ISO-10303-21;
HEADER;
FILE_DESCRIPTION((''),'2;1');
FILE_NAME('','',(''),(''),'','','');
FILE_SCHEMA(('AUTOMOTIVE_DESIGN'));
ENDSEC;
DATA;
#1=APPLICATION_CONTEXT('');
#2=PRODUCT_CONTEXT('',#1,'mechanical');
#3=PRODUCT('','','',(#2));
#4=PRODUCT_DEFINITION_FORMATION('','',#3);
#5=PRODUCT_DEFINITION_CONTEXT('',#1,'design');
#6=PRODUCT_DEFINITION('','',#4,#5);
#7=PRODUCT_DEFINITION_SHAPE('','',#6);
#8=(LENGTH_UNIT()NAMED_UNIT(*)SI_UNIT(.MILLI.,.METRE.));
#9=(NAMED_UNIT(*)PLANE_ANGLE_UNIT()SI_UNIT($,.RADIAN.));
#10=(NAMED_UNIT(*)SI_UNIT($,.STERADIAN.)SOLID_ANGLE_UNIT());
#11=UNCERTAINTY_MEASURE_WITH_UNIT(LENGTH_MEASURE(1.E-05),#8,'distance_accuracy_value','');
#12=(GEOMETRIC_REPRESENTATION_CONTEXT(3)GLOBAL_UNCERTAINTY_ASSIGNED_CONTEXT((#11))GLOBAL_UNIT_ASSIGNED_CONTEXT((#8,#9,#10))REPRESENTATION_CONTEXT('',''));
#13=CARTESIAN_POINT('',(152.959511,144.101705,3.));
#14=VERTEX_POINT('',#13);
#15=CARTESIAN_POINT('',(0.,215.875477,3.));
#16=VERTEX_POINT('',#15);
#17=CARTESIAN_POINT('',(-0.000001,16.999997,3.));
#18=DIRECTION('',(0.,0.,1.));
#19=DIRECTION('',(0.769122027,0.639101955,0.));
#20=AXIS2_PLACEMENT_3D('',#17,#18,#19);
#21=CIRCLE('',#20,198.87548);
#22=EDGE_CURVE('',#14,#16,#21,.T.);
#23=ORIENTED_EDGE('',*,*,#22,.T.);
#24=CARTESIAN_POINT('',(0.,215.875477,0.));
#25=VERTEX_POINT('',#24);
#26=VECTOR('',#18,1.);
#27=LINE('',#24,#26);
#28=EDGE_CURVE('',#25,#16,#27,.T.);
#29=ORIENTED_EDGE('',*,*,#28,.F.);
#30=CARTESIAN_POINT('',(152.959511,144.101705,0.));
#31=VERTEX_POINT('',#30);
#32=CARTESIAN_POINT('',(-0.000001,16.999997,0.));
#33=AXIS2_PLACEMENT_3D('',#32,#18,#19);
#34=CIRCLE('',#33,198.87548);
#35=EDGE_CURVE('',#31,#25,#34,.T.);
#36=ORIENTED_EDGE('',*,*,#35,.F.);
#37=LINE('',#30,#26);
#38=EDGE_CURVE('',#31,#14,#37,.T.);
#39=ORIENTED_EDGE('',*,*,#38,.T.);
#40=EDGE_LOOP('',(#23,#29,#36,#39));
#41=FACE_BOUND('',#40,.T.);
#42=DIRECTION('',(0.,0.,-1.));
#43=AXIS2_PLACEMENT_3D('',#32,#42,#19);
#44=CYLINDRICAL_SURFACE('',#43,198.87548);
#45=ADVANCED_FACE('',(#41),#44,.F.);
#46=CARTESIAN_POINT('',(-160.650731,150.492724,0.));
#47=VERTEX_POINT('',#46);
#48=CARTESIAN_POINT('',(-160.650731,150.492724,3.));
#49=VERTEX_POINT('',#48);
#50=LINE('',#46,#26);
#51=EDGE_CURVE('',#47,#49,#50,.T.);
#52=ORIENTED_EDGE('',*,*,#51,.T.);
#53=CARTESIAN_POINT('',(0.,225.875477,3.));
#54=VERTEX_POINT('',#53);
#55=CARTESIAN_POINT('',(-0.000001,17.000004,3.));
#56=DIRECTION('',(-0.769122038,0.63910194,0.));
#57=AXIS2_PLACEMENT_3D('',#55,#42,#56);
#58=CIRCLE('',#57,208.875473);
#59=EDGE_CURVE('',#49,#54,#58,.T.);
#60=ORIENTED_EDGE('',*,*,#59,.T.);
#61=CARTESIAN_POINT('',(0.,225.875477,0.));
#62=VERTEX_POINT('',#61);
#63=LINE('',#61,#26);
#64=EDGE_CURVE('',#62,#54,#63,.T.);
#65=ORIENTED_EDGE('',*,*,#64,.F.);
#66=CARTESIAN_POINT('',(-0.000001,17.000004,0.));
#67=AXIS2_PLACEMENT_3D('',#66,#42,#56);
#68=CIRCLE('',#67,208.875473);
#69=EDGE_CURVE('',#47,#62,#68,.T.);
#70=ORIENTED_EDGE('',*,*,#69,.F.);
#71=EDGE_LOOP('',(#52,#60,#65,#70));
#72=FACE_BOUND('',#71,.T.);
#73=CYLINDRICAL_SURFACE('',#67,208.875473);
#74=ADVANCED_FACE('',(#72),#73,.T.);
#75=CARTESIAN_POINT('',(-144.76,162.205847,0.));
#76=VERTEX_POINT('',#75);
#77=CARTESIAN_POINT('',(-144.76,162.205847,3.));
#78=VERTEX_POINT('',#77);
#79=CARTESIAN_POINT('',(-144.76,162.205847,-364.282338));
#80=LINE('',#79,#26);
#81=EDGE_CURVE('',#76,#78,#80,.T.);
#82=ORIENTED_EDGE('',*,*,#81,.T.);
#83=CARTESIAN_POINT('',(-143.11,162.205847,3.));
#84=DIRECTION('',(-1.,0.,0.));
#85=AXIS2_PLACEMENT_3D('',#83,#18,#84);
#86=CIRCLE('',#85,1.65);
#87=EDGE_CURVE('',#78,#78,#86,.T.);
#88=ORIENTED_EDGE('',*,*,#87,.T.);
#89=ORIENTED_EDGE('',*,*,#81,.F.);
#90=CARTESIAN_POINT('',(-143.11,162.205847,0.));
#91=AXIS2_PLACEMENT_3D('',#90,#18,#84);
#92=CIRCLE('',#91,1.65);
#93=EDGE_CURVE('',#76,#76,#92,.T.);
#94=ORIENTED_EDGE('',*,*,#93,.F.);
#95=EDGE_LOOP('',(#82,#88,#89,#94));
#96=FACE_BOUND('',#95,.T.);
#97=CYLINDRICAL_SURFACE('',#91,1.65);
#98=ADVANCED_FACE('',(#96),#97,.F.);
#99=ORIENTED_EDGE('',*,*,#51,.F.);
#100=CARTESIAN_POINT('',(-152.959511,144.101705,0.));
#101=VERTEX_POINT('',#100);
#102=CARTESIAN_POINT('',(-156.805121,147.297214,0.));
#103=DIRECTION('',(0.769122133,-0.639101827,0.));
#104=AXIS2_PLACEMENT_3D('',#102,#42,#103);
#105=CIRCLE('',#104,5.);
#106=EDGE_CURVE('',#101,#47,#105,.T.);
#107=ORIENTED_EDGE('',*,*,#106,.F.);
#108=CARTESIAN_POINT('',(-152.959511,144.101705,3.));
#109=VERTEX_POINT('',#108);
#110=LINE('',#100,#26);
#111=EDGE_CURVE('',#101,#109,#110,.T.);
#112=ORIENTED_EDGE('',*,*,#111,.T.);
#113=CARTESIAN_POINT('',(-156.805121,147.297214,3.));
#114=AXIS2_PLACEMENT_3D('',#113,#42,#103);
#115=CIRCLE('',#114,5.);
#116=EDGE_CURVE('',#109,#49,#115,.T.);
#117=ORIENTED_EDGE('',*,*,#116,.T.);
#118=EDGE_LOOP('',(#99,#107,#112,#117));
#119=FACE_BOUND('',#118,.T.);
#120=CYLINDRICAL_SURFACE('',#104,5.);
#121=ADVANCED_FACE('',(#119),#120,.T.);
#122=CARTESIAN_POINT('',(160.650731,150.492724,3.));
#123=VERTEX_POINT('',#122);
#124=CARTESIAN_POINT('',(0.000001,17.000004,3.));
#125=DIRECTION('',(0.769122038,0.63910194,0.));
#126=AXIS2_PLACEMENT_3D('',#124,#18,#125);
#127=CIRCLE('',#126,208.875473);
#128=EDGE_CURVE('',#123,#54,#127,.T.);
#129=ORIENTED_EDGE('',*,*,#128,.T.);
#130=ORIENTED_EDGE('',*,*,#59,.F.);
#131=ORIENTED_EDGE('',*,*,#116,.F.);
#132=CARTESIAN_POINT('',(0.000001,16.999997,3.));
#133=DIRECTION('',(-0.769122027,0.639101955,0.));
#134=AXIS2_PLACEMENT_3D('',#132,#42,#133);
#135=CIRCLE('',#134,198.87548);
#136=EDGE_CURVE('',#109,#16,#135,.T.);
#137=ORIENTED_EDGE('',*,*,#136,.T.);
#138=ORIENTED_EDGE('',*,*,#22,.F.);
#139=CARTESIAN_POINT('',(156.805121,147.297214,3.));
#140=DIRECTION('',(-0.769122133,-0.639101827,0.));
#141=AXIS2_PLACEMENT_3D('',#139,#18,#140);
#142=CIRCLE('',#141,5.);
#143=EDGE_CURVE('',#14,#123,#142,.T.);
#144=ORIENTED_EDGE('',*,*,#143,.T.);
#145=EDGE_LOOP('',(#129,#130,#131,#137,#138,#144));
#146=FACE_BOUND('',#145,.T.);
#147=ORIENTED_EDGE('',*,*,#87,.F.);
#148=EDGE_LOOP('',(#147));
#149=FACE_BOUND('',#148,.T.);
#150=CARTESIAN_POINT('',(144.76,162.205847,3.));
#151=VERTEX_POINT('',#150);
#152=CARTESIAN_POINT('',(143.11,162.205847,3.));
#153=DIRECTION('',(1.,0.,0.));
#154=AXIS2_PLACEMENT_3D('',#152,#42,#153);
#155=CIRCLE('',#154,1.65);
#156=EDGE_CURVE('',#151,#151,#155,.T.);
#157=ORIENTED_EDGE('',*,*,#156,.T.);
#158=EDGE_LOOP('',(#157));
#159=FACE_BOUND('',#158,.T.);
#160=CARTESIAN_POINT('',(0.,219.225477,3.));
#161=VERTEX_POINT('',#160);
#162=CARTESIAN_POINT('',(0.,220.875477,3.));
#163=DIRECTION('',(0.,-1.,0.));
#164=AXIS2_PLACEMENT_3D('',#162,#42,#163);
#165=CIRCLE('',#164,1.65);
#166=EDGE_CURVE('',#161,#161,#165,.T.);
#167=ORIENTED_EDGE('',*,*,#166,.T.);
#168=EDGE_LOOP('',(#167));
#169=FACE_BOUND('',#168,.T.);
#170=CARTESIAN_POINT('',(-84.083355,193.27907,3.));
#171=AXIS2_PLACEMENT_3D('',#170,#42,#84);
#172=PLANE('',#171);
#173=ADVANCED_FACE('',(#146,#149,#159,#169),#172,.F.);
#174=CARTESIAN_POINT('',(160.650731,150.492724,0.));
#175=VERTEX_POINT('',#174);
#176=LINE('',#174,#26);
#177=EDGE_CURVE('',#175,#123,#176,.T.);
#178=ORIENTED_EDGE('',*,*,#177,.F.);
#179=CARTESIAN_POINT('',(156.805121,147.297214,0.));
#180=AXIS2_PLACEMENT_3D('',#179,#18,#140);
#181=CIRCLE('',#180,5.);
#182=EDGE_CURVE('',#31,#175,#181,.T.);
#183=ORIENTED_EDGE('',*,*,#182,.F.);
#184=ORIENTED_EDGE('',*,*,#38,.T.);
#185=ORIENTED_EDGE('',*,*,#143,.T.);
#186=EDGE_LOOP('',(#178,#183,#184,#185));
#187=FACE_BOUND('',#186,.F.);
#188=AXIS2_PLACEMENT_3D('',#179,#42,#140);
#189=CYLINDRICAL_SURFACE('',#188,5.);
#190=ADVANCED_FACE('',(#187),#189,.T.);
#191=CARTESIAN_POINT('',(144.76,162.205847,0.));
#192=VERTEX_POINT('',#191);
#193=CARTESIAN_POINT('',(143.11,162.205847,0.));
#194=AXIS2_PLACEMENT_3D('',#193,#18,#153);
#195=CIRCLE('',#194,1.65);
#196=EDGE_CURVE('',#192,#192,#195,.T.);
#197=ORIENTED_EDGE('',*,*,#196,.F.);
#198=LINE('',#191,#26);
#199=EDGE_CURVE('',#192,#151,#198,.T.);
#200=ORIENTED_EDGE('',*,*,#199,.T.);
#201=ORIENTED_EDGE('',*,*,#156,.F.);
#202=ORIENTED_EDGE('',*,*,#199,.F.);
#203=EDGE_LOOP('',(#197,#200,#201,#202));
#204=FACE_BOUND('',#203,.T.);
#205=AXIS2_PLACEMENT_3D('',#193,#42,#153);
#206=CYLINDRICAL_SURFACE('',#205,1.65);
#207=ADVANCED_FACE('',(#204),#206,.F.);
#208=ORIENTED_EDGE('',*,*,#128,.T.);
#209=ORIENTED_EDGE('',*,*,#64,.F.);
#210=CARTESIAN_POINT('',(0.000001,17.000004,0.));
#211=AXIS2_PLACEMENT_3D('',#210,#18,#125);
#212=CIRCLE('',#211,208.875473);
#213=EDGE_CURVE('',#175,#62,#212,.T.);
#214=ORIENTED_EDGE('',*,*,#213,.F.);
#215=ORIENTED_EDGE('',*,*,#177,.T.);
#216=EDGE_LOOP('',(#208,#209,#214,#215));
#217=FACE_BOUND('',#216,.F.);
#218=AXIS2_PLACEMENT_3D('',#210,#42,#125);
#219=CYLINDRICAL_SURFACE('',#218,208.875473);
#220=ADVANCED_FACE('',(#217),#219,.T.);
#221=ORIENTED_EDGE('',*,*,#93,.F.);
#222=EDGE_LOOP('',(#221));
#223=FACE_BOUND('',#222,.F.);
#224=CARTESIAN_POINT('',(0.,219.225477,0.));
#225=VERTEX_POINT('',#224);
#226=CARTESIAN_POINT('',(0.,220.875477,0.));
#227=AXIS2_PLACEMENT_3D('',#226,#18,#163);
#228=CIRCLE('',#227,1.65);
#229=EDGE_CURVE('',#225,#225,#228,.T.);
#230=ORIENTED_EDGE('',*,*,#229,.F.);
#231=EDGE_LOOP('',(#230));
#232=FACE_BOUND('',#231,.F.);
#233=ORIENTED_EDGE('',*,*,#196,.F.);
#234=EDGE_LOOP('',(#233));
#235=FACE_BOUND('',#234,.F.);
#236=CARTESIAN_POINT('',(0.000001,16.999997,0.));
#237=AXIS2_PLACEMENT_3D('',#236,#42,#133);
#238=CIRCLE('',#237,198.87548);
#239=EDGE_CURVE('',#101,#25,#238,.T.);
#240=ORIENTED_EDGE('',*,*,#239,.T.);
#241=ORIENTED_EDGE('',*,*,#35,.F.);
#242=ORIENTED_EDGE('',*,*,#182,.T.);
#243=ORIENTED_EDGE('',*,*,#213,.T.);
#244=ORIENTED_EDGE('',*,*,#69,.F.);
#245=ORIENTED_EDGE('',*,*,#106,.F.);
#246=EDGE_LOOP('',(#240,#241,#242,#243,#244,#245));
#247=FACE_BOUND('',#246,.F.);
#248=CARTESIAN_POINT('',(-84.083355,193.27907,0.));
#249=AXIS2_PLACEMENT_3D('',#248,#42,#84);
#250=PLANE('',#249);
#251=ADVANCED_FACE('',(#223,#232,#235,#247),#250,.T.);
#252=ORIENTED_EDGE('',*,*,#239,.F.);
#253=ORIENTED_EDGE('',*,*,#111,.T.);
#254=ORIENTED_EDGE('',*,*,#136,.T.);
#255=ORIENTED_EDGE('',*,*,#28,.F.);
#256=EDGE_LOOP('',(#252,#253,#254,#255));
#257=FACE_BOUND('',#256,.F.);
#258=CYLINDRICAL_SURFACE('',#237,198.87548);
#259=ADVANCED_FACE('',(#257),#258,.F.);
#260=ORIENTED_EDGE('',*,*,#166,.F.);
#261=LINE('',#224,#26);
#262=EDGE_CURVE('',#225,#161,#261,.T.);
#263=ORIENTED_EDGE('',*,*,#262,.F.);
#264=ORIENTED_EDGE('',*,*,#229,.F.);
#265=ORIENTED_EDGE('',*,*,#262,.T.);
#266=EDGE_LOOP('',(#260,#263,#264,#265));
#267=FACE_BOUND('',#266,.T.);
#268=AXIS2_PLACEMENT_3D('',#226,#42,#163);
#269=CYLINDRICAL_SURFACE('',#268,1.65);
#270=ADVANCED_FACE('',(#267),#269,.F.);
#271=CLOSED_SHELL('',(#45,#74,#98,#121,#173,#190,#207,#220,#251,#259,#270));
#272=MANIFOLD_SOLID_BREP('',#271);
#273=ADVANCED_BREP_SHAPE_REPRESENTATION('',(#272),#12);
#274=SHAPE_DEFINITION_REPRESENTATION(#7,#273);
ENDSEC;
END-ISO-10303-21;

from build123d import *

# Parameters (mm, degrees)
PAD014_DEPTH                        = 3
SKETCH055_R                         = 1.65
POCKET019_DEPTH                     = 364.282338
POCKET019_DEPTH_BACK                = 367.282338
BODY001003005003003_PLACEMENT_ANGLE = 60
CLONE020_PLACEMENT_ANGLE            = 60


with BuildPart() as part:
    # Sketch052 → Pad014 (new body)
    with BuildSketch(Plane.XY):
        with BuildLine():
            ThreePointArc((152.959511, 127.101705), (84.480895, 180.040089), (0, 198.875477))
            Line((0, 198.875477), (0, 208.875477))
            ThreePointArc((160.650731, 133.492724), (88.728824, 189.092995), (0, 208.875477))
            ThreePointArc((152.959511, 127.101705), (160.000631, 126.451604), (160.650731, 133.492724))
        make_face()
    pad014 = extrude(amount=PAD014_DEPTH)

    # Sketch055 → Pocket019 (cut, two sides)
    with BuildSketch(Plane.XY) as pocket019_sk:
        with Locations((143.11, 145.205847)):
            Circle(SKETCH055_R)
        with BuildLine():
            Line((0, 202.225477), (0, 205.525477))
            ThreePointArc((0, 202.225477), (1.65, 203.875477), (0, 205.525477))
        make_face()
    pocket019 = extrude(amount=-POCKET019_DEPTH, mode=Mode.SUBTRACT) + extrude(pocket019_sk.sketch, amount=POCKET019_DEPTH_BACK, mode=Mode.SUBTRACT)

    # Mirrored019: Pad014, Pocket019 across Sketch052 V_Axis
    add(pad014.mirror(Plane(origin=(0, 0, 0), x_dir=(0, 0, 1), z_dir=(1, 0, 0))))
    add(pocket019.mirror(Plane(origin=(0, 0, 0), x_dir=(0, 0, 1), z_dir=(1, 0, 0))), mode=Mode.SUBTRACT)


with BuildPart() as part_1:
    # Body001003005003003 placement: moved
    add(part.part.rotate(Axis((0, 0, 0), (0, 0, 1)), BODY001003005003003_PLACEMENT_ANGLE))


with BuildPart() as part_2:
    # Clone020 placement: moved
    add(part_1.part.moved(Location((0, 17, 0))).rotate(Axis((0, 17, 0), (0, 0, -1)), CLONE020_PLACEMENT_ANGLE))


solid = part_2.part
